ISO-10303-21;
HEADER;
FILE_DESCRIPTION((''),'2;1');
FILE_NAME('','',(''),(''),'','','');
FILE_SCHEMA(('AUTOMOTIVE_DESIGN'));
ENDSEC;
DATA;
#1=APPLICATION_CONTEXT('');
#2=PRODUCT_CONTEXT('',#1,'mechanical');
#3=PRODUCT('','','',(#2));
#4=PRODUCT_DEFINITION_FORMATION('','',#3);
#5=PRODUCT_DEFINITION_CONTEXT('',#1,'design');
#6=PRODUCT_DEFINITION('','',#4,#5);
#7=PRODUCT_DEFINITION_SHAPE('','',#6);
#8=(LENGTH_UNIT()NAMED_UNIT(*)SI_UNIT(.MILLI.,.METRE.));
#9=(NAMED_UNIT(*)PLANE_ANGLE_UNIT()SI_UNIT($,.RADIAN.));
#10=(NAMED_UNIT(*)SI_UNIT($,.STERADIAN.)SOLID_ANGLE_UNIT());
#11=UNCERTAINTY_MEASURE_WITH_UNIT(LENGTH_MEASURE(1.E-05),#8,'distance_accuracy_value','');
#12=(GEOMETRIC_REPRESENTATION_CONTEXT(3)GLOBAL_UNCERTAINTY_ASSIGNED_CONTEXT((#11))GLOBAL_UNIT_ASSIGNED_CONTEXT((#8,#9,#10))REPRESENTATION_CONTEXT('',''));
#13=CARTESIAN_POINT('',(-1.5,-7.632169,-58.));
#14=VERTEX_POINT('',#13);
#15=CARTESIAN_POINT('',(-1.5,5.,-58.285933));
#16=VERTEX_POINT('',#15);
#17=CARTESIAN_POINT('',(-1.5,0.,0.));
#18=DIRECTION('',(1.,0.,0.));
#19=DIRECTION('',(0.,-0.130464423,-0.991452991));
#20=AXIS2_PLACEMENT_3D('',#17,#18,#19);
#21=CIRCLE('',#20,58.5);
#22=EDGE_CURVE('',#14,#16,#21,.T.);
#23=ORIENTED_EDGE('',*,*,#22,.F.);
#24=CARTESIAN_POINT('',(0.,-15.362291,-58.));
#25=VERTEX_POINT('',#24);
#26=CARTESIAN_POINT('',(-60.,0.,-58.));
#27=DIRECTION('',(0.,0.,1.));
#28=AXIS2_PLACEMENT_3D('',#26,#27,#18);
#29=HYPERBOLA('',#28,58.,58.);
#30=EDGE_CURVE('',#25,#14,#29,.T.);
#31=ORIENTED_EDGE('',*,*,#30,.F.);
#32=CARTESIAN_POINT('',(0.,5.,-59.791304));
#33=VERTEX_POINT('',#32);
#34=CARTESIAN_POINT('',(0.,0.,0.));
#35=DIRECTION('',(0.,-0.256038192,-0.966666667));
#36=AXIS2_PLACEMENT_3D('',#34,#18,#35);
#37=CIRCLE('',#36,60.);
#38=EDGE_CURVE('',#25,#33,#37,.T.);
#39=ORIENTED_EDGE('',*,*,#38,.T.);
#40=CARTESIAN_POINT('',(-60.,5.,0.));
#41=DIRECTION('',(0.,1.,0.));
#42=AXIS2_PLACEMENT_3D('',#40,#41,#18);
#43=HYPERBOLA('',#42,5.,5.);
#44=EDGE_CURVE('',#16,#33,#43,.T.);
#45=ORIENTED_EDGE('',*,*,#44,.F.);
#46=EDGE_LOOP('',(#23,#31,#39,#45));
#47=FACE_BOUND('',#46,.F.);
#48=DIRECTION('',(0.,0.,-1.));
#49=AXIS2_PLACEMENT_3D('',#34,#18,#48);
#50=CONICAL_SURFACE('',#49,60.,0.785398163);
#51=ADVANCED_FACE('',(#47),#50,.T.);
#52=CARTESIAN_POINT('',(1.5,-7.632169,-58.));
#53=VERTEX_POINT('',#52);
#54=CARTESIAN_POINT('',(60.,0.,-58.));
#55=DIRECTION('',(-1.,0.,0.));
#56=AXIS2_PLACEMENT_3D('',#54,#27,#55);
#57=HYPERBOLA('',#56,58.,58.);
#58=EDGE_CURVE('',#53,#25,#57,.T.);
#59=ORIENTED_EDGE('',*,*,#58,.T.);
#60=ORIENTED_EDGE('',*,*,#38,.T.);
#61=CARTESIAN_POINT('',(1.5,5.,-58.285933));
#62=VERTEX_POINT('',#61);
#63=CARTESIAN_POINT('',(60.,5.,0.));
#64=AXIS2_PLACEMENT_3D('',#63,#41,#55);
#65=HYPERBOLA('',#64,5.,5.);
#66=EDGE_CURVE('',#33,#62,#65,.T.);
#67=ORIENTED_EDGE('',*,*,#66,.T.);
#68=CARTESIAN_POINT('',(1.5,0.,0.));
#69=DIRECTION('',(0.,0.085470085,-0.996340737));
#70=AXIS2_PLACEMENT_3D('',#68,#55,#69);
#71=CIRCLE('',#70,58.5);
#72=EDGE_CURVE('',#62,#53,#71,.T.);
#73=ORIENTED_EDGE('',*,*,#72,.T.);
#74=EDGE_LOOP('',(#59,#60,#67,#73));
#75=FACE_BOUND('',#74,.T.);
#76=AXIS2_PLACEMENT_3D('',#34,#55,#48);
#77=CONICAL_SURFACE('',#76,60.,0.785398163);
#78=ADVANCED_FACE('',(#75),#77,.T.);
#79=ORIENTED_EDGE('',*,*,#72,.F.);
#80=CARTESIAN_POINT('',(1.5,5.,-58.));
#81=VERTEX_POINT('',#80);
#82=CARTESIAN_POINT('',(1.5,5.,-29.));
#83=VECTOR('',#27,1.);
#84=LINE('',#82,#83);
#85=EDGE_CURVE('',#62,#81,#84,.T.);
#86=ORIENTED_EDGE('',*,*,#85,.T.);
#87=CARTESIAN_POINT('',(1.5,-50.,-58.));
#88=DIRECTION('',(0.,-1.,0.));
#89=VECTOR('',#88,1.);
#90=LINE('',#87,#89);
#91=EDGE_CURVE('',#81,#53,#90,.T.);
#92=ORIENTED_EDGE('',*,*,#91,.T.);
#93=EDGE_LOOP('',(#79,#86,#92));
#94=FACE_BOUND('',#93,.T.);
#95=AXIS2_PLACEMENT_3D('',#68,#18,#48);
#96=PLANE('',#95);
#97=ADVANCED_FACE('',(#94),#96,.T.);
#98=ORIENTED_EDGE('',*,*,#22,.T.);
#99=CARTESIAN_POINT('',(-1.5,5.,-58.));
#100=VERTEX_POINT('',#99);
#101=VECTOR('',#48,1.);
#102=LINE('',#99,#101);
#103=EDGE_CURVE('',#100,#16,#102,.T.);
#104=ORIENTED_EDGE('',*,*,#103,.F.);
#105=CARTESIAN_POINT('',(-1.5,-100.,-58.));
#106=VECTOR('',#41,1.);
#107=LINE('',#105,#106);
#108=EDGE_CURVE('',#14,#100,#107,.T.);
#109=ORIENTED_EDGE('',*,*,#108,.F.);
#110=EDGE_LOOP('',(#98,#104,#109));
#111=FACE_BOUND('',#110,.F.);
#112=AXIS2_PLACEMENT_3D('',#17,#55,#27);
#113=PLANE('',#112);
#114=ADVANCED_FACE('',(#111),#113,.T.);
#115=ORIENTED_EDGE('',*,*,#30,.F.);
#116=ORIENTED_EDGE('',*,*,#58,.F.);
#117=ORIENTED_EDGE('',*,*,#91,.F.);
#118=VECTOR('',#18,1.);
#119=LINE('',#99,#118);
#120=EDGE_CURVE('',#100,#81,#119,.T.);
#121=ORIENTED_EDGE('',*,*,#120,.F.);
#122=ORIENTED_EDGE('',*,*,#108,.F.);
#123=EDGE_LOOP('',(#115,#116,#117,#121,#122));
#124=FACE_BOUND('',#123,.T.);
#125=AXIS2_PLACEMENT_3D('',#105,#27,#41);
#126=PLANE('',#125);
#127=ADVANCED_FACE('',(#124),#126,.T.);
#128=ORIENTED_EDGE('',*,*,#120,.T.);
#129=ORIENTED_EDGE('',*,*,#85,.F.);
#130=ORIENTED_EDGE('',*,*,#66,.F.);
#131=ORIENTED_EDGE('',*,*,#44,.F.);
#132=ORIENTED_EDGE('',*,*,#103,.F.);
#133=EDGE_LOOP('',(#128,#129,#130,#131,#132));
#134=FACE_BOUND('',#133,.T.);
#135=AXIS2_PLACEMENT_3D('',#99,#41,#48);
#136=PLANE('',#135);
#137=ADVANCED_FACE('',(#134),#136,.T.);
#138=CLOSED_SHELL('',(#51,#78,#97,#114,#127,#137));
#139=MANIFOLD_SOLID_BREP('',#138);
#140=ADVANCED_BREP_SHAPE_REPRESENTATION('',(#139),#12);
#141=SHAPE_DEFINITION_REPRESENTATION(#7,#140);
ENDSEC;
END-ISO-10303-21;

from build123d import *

# Parameters (mm, degrees)
POCKET008003002_DEPTH = 5


with BuildPart() as halfslider:
    # Sketch024 → Revolution001 (revolve)
    with BuildSketch(Plane.XZ):
        Polygon((0, 0), (0, -60), (1.5, -58.5), (1.5, 0), align=None)
    revolve(axis=Axis((0, 0, 0), (1, 0, 0)))


with BuildPart() as slidergroove:
    # Part__Mirroring006: instance of HalfSlider
    add(halfslider.part.mirror(Plane(origin=(0, 0, 0), x_dir=(0, -1, 0), z_dir=(1, 0, 0))))

    # Fusion: union HalfSlider
    add(halfslider.part)

    # Sketch025 → Pocket008003002 (cut)
    with BuildSketch(Plane(origin=(-1.5, 0, 0), x_dir=(0, -1, 0), z_dir=(-1, 0, 0))):
        Polygon((-100, 100), (100, 100), (100, -58), (-5, -58), (-5, -66), (-100, -66), align=None)
    extrude(amount=-POCKET008003002_DEPTH, mode=Mode.SUBTRACT)


solid = slidergroove.part
